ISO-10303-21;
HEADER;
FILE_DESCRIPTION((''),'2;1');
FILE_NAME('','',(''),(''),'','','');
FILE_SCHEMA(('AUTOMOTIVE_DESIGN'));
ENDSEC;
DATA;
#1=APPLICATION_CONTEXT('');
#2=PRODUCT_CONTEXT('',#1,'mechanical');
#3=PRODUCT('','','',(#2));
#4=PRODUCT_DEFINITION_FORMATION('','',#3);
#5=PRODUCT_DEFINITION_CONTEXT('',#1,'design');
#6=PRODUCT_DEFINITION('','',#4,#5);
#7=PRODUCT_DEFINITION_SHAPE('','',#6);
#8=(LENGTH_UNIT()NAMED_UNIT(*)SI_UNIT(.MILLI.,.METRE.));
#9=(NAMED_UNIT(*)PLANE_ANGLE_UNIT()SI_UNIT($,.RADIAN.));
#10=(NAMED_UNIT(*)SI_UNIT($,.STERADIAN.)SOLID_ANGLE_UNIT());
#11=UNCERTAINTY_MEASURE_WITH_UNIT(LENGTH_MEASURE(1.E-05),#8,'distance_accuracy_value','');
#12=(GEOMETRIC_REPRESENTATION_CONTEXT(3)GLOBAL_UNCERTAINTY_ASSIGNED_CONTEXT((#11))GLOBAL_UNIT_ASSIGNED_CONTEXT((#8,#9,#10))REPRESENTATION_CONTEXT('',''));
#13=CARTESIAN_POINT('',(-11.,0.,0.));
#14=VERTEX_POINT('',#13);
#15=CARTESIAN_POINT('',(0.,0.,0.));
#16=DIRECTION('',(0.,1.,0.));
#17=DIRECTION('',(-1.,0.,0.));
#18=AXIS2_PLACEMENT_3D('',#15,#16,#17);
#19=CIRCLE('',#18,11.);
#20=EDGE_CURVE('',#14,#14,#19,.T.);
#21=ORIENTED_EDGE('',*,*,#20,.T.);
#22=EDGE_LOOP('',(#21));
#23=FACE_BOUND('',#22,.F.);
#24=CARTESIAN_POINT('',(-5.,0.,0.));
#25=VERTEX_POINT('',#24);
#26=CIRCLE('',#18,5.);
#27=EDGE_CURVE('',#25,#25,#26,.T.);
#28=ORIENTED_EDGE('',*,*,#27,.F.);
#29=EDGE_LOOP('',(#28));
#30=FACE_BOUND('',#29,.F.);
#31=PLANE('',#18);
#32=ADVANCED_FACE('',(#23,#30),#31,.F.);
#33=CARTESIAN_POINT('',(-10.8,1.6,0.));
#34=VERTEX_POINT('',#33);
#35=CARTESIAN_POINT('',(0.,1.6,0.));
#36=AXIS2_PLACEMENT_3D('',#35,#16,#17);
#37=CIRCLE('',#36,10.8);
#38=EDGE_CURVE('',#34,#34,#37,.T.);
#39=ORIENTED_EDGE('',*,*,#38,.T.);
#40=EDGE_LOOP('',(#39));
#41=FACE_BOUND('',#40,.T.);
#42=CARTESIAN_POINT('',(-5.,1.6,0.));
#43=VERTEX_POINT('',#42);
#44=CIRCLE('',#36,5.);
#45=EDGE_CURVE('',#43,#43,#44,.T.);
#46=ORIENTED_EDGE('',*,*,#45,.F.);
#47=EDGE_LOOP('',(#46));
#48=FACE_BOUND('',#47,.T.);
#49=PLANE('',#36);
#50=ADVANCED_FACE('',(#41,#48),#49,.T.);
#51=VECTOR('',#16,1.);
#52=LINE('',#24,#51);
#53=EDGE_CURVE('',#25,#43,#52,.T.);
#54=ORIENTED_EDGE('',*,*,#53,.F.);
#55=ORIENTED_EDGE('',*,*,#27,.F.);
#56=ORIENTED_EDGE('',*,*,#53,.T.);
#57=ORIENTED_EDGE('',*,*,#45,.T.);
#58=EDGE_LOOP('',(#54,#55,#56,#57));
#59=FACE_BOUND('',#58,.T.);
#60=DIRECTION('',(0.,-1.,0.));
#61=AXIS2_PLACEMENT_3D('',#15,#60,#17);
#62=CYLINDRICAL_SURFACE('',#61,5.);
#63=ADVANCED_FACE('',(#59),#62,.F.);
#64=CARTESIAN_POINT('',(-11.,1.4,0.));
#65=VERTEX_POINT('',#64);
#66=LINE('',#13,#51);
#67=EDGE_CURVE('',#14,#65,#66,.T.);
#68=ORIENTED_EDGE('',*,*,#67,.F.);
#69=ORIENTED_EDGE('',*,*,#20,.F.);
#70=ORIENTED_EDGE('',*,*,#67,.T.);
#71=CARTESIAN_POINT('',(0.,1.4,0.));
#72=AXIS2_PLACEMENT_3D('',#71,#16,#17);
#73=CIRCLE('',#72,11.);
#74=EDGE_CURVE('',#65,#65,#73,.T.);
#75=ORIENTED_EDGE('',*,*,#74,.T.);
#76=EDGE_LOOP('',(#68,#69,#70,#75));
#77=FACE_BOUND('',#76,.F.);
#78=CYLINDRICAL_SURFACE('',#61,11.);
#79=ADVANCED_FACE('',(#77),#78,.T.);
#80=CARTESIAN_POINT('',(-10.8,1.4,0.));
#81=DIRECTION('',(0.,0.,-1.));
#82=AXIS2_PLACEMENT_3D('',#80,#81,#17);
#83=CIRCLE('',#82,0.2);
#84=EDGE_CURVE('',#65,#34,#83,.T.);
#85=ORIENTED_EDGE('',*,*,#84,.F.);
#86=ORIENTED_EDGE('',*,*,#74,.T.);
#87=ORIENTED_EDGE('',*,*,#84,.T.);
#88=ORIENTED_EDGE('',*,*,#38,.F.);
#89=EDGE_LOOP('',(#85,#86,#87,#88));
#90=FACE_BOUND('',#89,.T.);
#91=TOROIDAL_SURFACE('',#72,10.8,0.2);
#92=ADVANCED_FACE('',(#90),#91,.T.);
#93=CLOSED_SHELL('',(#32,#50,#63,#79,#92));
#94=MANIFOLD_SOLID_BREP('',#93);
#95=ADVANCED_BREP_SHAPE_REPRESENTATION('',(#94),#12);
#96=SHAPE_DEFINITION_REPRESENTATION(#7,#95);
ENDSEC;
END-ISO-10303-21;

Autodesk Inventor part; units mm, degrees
ref_plane "YZ Plane" through (0, 0, 0) normal (1, 0, 0) x (0, 1, 0)
ref_plane "XZ Plane" through (0, 0, 0) normal (0, 1, 0) x (-1, 0, 0)
ref_plane "XY Plane" through (0, 0, 0) normal (0, 0, 1) x (1, 0, 0)
sketch "Sketch1" plane through (0, 0, 0) normal (0, 1, 0) x (-1, 0, 0)
  circle A0 centre (0, 0) radius 5
  circle A1 centre (0, 0) radius 11
  dimension "d0" = 10
  dimension "d1" = 22
extrude "Extrusion1" add sketch "Sketch1" along normal blind 1.6
fillet "Fillet1" radius 0.2 1 edges at (11, 1.6, 0)
properties part number "M10washer"
